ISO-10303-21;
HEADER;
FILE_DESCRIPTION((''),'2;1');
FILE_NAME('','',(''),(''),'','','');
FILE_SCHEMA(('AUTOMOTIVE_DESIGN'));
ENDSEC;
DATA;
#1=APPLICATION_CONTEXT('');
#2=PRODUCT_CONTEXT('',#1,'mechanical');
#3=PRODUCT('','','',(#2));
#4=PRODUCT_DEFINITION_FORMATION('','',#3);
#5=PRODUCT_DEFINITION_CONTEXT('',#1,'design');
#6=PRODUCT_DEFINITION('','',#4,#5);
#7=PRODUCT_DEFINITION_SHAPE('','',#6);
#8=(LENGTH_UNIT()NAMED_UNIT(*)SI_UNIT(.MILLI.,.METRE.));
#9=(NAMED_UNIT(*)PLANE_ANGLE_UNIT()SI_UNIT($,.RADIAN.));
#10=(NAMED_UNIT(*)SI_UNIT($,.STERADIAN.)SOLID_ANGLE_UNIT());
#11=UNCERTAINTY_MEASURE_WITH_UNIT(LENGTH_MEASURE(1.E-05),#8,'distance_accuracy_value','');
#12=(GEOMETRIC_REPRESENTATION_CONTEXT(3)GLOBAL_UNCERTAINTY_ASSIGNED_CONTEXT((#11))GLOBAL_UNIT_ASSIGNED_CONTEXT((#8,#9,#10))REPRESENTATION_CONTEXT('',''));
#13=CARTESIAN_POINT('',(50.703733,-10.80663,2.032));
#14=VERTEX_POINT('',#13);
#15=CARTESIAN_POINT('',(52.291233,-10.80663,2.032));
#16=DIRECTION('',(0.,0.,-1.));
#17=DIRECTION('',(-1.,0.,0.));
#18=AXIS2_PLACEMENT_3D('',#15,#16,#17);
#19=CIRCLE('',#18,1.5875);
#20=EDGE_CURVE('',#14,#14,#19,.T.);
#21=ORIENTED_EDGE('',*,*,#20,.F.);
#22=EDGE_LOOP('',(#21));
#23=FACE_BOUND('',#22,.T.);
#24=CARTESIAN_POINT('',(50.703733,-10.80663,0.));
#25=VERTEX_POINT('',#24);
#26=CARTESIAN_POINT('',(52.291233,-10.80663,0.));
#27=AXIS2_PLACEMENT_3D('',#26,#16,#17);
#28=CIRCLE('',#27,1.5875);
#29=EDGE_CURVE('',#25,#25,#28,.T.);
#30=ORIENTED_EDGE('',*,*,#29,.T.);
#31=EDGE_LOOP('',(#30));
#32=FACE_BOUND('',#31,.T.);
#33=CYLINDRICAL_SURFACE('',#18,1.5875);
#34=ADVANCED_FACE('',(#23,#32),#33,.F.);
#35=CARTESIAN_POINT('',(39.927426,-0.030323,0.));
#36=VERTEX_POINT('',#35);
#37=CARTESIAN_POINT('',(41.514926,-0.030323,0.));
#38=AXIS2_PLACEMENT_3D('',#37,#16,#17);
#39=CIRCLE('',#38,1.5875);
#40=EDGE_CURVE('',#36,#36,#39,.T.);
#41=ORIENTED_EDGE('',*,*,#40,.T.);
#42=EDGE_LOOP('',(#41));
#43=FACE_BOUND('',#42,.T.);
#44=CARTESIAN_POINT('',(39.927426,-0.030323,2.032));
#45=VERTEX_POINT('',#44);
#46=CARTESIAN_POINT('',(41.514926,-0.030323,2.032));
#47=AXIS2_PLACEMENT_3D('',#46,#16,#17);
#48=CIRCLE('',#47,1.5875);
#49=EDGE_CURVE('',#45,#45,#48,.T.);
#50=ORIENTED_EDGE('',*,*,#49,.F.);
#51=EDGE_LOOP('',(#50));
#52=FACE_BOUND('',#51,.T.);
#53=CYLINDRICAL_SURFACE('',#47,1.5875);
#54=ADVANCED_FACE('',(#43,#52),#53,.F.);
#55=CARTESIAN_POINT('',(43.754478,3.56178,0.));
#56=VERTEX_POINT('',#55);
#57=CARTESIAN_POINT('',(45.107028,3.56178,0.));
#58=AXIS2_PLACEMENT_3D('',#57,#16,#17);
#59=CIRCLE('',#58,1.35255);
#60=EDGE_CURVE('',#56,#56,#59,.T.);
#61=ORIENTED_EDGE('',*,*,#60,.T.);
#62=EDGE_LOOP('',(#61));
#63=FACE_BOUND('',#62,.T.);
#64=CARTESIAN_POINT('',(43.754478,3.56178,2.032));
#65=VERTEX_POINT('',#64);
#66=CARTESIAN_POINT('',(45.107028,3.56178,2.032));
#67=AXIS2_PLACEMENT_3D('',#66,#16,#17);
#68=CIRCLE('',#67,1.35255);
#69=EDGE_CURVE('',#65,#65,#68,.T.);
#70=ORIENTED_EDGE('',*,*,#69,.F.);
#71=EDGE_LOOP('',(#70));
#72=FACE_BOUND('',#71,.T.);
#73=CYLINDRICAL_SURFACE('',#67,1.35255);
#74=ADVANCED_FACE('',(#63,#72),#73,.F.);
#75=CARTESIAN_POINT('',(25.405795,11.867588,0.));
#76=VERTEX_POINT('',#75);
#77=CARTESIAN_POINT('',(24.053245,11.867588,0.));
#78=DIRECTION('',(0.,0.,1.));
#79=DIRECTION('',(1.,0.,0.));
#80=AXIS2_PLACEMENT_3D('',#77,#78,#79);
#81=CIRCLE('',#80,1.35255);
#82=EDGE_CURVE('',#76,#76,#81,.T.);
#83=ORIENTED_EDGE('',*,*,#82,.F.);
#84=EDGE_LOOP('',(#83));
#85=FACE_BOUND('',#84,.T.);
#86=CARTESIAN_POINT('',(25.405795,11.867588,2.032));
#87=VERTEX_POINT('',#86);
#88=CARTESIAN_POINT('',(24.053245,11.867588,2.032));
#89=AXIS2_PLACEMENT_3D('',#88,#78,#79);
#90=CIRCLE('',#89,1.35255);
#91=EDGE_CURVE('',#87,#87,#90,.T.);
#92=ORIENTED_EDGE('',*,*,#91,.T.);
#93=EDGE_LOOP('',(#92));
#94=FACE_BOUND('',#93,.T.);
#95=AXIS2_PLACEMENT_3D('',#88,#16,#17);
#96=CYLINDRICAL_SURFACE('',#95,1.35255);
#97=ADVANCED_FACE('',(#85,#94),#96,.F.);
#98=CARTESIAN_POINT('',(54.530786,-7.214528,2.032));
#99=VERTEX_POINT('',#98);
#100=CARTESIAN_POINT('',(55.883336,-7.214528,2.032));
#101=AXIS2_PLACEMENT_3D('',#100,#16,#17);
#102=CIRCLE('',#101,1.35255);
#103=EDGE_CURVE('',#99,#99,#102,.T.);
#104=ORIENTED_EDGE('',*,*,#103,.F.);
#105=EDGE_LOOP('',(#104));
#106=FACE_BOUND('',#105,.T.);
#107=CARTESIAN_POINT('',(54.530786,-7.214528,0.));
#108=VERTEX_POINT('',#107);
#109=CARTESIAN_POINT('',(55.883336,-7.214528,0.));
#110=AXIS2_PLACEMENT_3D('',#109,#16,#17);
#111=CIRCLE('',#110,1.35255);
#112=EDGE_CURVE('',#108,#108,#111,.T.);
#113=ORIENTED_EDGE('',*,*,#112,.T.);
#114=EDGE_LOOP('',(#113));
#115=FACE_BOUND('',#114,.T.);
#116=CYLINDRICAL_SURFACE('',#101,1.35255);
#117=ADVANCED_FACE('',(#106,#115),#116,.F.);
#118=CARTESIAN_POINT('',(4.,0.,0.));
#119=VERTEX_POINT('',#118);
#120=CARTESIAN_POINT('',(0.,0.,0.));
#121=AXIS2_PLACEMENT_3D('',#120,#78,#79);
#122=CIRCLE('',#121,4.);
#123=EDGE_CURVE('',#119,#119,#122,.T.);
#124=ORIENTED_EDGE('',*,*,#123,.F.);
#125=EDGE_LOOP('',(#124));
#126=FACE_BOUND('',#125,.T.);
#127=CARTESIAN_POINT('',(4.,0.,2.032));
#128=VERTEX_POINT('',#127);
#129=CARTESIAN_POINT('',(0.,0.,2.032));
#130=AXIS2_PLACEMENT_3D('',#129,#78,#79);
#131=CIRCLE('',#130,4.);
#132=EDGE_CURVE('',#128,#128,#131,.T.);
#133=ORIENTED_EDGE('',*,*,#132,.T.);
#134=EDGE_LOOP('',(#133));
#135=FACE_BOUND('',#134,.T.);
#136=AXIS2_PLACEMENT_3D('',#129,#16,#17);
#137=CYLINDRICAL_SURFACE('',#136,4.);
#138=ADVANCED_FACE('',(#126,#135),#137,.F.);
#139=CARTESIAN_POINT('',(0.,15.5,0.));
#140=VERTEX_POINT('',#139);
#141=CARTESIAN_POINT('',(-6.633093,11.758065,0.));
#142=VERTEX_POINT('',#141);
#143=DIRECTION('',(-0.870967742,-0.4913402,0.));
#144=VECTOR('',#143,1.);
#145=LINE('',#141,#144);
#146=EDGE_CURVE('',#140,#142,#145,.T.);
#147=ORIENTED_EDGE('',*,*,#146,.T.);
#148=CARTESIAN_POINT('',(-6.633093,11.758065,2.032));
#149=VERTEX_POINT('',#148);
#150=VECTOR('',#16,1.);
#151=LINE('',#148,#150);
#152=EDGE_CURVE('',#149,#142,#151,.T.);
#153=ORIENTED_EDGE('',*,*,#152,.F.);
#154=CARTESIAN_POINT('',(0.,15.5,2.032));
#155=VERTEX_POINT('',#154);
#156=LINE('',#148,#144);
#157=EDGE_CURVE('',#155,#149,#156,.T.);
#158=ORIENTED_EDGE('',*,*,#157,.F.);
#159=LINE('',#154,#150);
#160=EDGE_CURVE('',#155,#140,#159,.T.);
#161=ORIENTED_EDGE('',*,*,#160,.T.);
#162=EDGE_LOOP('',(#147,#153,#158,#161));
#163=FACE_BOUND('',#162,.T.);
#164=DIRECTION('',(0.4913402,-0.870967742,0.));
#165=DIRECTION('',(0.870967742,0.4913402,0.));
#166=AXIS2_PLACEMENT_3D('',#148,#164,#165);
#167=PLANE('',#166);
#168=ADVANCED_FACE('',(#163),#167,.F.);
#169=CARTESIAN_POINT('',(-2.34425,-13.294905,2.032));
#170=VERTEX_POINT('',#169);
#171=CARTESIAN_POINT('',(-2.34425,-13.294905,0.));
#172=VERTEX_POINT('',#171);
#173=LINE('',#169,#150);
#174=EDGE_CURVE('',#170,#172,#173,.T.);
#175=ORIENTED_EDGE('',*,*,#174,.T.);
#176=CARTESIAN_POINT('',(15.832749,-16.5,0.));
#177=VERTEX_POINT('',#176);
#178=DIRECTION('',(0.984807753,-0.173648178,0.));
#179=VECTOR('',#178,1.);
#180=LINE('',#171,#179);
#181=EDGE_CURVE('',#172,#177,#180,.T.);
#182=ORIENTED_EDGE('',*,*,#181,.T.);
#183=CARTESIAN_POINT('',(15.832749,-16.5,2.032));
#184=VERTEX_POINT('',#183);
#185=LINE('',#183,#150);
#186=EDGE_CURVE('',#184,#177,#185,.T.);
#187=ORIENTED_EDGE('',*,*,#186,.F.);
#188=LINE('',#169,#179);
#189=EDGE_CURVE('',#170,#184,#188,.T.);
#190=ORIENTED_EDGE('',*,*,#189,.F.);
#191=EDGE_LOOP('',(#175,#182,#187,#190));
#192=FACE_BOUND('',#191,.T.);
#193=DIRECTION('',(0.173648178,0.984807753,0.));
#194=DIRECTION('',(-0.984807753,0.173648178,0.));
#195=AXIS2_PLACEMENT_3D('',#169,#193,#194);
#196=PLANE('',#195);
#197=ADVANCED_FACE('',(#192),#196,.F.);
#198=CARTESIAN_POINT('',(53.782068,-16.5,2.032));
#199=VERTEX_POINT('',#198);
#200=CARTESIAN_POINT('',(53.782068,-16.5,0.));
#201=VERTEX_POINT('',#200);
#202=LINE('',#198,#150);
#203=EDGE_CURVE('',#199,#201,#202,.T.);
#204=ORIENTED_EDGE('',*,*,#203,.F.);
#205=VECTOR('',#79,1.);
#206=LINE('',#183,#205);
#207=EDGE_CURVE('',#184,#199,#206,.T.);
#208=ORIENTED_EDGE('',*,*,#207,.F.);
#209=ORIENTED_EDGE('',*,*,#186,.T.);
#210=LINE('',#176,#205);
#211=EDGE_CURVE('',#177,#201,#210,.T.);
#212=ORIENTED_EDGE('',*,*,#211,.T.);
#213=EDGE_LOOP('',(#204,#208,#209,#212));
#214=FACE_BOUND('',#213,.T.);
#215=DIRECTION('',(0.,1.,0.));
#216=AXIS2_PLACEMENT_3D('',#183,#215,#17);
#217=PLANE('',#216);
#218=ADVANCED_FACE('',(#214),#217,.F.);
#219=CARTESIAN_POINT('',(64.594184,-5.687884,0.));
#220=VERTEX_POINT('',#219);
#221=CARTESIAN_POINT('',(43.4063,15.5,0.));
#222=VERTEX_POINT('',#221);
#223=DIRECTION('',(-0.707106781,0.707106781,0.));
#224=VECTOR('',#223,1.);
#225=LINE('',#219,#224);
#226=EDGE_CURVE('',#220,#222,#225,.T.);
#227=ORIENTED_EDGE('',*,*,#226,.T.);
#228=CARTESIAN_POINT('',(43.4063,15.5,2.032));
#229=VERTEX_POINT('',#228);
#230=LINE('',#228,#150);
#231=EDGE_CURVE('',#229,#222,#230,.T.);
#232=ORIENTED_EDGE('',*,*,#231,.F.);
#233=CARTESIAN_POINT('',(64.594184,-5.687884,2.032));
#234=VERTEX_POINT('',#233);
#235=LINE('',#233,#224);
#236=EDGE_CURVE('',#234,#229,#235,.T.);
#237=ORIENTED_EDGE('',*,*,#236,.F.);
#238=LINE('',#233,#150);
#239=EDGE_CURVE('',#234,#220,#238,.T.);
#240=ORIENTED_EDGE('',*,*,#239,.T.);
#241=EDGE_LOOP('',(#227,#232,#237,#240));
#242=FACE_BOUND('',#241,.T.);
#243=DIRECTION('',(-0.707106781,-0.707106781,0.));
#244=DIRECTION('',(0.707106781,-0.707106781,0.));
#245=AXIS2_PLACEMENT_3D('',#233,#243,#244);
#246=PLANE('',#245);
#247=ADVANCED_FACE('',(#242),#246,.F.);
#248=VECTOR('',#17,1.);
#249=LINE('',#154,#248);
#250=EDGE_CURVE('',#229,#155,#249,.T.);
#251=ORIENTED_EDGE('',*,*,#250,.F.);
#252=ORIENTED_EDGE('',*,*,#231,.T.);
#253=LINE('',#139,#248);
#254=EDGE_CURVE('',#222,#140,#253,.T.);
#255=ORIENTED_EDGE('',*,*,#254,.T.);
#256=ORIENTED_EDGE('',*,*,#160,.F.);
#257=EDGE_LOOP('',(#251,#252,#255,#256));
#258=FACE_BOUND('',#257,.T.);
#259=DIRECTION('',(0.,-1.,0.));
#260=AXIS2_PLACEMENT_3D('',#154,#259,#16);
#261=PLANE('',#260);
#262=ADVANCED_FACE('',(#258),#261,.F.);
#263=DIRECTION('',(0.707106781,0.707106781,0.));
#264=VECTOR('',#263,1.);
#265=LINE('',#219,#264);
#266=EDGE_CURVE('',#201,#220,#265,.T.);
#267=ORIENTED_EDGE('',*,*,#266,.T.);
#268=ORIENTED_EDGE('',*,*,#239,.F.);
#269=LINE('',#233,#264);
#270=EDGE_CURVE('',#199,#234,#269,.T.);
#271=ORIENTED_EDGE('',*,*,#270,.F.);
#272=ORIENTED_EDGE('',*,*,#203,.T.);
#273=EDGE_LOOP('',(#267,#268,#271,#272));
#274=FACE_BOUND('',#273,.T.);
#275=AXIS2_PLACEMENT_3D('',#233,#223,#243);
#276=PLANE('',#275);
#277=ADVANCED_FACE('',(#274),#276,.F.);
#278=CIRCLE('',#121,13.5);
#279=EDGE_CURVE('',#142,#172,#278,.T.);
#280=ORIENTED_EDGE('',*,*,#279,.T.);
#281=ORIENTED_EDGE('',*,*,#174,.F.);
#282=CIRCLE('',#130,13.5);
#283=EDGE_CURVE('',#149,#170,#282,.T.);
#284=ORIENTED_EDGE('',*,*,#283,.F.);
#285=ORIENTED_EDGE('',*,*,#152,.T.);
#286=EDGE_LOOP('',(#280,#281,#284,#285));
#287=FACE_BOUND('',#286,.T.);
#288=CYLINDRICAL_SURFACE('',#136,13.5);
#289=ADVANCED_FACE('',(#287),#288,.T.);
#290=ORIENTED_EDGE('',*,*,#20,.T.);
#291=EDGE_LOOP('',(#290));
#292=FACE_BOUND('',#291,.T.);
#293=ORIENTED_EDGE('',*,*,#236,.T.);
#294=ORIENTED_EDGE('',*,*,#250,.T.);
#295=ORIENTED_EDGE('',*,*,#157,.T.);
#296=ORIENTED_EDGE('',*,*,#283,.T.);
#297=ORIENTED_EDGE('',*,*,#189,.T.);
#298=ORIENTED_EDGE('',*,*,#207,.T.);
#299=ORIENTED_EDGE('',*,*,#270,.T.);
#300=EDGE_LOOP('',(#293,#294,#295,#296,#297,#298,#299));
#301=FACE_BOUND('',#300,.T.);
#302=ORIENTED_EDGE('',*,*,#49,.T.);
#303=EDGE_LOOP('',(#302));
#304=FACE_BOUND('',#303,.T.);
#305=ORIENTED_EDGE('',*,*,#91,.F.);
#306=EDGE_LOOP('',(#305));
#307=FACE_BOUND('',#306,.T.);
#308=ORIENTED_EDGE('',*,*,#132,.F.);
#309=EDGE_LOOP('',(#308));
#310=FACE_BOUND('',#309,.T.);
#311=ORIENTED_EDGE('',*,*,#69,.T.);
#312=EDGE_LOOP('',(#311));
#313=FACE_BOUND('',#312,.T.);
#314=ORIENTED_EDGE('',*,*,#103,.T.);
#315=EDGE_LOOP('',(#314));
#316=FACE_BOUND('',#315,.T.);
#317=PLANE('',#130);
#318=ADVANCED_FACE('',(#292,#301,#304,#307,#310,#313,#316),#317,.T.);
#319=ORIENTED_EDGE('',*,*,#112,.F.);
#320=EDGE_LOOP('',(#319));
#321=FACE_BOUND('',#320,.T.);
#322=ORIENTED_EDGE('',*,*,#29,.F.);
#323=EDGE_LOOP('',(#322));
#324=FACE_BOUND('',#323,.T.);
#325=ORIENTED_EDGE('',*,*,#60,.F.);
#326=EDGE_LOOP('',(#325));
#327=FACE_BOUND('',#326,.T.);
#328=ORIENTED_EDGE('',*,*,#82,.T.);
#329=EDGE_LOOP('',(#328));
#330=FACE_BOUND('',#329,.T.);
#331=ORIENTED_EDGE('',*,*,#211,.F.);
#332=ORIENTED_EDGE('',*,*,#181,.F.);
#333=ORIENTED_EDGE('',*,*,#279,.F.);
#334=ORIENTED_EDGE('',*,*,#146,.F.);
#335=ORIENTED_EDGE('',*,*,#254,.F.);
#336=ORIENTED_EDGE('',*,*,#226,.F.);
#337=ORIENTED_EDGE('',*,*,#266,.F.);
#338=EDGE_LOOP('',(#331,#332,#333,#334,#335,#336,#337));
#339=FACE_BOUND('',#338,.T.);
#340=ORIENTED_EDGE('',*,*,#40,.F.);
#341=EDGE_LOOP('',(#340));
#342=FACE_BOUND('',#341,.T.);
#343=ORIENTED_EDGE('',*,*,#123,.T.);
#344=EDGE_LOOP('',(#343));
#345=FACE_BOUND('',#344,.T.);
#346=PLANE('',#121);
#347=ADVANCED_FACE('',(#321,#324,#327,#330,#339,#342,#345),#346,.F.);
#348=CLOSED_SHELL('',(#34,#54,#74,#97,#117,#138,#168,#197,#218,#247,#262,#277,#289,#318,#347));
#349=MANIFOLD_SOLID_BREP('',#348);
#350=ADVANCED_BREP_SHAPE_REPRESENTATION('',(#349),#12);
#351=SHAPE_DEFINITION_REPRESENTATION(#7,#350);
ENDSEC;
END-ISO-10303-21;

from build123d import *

# Parameters (mm, degrees)
SKETCH2_R           = 4
SKETCH2_R_2         = 1.35255
BOSS_EXTRUDE1_DEPTH = 2.032
SKETCH5_R           = 1.5875
SKETCH5_R_2         = 1.35255
CUT_EXTRUDE1_DEPTH  = 3.032


with BuildPart() as part:
    # Sketch2 → Boss-Extrude1 (new body)
    with BuildSketch(Plane.XY):
        with BuildLine():
            Line((64.594184148, -5.687884281), (43.406299867, 15.5))
            Line((43.406299867, 15.5), (0, 15.5))
            Line((0, 15.5), (-6.633092705, 11.758064516))
            ThreePointArc((-6.633092705, 11.758064516), (-13.306426587, -2.277940187), (-2.344250399, -13.294904666))
            Line((-2.344250399, -13.294904666), (15.832748501, -16.5))
            Line((15.832748501, -16.5), (53.78206843, -16.5))
            Line((53.78206843, -16.5), (64.594184148, -5.687884281))
        make_face()
        Circle(SKETCH2_R, mode=Mode.SUBTRACT)
        with Locations((24.053244616, 11.867587507)):
            Circle(SKETCH2_R_2, mode=Mode.SUBTRACT)
    extrude(amount=BOSS_EXTRUDE1_DEPTH)

    # Sketch5 → Cut-Extrude1 (cut, through all)
    with BuildSketch(Plane(origin=(0, 0, 0), x_dir=(-1, 0, 0), z_dir=(0, 0, -1))):
        with Locations((-41.514925917, -0.030322925)):
            Circle(SKETCH5_R)
        with Locations((-52.291233263, -10.80663027)):
            Circle(SKETCH5_R)
        with Locations((-45.107028366, 3.561779523)):
            Circle(SKETCH5_R_2)
        with Locations((-55.883335711, -7.214527822)):
            Circle(SKETCH5_R_2)
    extrude(amount=-CUT_EXTRUDE1_DEPTH, mode=Mode.SUBTRACT)


solid = part.part
